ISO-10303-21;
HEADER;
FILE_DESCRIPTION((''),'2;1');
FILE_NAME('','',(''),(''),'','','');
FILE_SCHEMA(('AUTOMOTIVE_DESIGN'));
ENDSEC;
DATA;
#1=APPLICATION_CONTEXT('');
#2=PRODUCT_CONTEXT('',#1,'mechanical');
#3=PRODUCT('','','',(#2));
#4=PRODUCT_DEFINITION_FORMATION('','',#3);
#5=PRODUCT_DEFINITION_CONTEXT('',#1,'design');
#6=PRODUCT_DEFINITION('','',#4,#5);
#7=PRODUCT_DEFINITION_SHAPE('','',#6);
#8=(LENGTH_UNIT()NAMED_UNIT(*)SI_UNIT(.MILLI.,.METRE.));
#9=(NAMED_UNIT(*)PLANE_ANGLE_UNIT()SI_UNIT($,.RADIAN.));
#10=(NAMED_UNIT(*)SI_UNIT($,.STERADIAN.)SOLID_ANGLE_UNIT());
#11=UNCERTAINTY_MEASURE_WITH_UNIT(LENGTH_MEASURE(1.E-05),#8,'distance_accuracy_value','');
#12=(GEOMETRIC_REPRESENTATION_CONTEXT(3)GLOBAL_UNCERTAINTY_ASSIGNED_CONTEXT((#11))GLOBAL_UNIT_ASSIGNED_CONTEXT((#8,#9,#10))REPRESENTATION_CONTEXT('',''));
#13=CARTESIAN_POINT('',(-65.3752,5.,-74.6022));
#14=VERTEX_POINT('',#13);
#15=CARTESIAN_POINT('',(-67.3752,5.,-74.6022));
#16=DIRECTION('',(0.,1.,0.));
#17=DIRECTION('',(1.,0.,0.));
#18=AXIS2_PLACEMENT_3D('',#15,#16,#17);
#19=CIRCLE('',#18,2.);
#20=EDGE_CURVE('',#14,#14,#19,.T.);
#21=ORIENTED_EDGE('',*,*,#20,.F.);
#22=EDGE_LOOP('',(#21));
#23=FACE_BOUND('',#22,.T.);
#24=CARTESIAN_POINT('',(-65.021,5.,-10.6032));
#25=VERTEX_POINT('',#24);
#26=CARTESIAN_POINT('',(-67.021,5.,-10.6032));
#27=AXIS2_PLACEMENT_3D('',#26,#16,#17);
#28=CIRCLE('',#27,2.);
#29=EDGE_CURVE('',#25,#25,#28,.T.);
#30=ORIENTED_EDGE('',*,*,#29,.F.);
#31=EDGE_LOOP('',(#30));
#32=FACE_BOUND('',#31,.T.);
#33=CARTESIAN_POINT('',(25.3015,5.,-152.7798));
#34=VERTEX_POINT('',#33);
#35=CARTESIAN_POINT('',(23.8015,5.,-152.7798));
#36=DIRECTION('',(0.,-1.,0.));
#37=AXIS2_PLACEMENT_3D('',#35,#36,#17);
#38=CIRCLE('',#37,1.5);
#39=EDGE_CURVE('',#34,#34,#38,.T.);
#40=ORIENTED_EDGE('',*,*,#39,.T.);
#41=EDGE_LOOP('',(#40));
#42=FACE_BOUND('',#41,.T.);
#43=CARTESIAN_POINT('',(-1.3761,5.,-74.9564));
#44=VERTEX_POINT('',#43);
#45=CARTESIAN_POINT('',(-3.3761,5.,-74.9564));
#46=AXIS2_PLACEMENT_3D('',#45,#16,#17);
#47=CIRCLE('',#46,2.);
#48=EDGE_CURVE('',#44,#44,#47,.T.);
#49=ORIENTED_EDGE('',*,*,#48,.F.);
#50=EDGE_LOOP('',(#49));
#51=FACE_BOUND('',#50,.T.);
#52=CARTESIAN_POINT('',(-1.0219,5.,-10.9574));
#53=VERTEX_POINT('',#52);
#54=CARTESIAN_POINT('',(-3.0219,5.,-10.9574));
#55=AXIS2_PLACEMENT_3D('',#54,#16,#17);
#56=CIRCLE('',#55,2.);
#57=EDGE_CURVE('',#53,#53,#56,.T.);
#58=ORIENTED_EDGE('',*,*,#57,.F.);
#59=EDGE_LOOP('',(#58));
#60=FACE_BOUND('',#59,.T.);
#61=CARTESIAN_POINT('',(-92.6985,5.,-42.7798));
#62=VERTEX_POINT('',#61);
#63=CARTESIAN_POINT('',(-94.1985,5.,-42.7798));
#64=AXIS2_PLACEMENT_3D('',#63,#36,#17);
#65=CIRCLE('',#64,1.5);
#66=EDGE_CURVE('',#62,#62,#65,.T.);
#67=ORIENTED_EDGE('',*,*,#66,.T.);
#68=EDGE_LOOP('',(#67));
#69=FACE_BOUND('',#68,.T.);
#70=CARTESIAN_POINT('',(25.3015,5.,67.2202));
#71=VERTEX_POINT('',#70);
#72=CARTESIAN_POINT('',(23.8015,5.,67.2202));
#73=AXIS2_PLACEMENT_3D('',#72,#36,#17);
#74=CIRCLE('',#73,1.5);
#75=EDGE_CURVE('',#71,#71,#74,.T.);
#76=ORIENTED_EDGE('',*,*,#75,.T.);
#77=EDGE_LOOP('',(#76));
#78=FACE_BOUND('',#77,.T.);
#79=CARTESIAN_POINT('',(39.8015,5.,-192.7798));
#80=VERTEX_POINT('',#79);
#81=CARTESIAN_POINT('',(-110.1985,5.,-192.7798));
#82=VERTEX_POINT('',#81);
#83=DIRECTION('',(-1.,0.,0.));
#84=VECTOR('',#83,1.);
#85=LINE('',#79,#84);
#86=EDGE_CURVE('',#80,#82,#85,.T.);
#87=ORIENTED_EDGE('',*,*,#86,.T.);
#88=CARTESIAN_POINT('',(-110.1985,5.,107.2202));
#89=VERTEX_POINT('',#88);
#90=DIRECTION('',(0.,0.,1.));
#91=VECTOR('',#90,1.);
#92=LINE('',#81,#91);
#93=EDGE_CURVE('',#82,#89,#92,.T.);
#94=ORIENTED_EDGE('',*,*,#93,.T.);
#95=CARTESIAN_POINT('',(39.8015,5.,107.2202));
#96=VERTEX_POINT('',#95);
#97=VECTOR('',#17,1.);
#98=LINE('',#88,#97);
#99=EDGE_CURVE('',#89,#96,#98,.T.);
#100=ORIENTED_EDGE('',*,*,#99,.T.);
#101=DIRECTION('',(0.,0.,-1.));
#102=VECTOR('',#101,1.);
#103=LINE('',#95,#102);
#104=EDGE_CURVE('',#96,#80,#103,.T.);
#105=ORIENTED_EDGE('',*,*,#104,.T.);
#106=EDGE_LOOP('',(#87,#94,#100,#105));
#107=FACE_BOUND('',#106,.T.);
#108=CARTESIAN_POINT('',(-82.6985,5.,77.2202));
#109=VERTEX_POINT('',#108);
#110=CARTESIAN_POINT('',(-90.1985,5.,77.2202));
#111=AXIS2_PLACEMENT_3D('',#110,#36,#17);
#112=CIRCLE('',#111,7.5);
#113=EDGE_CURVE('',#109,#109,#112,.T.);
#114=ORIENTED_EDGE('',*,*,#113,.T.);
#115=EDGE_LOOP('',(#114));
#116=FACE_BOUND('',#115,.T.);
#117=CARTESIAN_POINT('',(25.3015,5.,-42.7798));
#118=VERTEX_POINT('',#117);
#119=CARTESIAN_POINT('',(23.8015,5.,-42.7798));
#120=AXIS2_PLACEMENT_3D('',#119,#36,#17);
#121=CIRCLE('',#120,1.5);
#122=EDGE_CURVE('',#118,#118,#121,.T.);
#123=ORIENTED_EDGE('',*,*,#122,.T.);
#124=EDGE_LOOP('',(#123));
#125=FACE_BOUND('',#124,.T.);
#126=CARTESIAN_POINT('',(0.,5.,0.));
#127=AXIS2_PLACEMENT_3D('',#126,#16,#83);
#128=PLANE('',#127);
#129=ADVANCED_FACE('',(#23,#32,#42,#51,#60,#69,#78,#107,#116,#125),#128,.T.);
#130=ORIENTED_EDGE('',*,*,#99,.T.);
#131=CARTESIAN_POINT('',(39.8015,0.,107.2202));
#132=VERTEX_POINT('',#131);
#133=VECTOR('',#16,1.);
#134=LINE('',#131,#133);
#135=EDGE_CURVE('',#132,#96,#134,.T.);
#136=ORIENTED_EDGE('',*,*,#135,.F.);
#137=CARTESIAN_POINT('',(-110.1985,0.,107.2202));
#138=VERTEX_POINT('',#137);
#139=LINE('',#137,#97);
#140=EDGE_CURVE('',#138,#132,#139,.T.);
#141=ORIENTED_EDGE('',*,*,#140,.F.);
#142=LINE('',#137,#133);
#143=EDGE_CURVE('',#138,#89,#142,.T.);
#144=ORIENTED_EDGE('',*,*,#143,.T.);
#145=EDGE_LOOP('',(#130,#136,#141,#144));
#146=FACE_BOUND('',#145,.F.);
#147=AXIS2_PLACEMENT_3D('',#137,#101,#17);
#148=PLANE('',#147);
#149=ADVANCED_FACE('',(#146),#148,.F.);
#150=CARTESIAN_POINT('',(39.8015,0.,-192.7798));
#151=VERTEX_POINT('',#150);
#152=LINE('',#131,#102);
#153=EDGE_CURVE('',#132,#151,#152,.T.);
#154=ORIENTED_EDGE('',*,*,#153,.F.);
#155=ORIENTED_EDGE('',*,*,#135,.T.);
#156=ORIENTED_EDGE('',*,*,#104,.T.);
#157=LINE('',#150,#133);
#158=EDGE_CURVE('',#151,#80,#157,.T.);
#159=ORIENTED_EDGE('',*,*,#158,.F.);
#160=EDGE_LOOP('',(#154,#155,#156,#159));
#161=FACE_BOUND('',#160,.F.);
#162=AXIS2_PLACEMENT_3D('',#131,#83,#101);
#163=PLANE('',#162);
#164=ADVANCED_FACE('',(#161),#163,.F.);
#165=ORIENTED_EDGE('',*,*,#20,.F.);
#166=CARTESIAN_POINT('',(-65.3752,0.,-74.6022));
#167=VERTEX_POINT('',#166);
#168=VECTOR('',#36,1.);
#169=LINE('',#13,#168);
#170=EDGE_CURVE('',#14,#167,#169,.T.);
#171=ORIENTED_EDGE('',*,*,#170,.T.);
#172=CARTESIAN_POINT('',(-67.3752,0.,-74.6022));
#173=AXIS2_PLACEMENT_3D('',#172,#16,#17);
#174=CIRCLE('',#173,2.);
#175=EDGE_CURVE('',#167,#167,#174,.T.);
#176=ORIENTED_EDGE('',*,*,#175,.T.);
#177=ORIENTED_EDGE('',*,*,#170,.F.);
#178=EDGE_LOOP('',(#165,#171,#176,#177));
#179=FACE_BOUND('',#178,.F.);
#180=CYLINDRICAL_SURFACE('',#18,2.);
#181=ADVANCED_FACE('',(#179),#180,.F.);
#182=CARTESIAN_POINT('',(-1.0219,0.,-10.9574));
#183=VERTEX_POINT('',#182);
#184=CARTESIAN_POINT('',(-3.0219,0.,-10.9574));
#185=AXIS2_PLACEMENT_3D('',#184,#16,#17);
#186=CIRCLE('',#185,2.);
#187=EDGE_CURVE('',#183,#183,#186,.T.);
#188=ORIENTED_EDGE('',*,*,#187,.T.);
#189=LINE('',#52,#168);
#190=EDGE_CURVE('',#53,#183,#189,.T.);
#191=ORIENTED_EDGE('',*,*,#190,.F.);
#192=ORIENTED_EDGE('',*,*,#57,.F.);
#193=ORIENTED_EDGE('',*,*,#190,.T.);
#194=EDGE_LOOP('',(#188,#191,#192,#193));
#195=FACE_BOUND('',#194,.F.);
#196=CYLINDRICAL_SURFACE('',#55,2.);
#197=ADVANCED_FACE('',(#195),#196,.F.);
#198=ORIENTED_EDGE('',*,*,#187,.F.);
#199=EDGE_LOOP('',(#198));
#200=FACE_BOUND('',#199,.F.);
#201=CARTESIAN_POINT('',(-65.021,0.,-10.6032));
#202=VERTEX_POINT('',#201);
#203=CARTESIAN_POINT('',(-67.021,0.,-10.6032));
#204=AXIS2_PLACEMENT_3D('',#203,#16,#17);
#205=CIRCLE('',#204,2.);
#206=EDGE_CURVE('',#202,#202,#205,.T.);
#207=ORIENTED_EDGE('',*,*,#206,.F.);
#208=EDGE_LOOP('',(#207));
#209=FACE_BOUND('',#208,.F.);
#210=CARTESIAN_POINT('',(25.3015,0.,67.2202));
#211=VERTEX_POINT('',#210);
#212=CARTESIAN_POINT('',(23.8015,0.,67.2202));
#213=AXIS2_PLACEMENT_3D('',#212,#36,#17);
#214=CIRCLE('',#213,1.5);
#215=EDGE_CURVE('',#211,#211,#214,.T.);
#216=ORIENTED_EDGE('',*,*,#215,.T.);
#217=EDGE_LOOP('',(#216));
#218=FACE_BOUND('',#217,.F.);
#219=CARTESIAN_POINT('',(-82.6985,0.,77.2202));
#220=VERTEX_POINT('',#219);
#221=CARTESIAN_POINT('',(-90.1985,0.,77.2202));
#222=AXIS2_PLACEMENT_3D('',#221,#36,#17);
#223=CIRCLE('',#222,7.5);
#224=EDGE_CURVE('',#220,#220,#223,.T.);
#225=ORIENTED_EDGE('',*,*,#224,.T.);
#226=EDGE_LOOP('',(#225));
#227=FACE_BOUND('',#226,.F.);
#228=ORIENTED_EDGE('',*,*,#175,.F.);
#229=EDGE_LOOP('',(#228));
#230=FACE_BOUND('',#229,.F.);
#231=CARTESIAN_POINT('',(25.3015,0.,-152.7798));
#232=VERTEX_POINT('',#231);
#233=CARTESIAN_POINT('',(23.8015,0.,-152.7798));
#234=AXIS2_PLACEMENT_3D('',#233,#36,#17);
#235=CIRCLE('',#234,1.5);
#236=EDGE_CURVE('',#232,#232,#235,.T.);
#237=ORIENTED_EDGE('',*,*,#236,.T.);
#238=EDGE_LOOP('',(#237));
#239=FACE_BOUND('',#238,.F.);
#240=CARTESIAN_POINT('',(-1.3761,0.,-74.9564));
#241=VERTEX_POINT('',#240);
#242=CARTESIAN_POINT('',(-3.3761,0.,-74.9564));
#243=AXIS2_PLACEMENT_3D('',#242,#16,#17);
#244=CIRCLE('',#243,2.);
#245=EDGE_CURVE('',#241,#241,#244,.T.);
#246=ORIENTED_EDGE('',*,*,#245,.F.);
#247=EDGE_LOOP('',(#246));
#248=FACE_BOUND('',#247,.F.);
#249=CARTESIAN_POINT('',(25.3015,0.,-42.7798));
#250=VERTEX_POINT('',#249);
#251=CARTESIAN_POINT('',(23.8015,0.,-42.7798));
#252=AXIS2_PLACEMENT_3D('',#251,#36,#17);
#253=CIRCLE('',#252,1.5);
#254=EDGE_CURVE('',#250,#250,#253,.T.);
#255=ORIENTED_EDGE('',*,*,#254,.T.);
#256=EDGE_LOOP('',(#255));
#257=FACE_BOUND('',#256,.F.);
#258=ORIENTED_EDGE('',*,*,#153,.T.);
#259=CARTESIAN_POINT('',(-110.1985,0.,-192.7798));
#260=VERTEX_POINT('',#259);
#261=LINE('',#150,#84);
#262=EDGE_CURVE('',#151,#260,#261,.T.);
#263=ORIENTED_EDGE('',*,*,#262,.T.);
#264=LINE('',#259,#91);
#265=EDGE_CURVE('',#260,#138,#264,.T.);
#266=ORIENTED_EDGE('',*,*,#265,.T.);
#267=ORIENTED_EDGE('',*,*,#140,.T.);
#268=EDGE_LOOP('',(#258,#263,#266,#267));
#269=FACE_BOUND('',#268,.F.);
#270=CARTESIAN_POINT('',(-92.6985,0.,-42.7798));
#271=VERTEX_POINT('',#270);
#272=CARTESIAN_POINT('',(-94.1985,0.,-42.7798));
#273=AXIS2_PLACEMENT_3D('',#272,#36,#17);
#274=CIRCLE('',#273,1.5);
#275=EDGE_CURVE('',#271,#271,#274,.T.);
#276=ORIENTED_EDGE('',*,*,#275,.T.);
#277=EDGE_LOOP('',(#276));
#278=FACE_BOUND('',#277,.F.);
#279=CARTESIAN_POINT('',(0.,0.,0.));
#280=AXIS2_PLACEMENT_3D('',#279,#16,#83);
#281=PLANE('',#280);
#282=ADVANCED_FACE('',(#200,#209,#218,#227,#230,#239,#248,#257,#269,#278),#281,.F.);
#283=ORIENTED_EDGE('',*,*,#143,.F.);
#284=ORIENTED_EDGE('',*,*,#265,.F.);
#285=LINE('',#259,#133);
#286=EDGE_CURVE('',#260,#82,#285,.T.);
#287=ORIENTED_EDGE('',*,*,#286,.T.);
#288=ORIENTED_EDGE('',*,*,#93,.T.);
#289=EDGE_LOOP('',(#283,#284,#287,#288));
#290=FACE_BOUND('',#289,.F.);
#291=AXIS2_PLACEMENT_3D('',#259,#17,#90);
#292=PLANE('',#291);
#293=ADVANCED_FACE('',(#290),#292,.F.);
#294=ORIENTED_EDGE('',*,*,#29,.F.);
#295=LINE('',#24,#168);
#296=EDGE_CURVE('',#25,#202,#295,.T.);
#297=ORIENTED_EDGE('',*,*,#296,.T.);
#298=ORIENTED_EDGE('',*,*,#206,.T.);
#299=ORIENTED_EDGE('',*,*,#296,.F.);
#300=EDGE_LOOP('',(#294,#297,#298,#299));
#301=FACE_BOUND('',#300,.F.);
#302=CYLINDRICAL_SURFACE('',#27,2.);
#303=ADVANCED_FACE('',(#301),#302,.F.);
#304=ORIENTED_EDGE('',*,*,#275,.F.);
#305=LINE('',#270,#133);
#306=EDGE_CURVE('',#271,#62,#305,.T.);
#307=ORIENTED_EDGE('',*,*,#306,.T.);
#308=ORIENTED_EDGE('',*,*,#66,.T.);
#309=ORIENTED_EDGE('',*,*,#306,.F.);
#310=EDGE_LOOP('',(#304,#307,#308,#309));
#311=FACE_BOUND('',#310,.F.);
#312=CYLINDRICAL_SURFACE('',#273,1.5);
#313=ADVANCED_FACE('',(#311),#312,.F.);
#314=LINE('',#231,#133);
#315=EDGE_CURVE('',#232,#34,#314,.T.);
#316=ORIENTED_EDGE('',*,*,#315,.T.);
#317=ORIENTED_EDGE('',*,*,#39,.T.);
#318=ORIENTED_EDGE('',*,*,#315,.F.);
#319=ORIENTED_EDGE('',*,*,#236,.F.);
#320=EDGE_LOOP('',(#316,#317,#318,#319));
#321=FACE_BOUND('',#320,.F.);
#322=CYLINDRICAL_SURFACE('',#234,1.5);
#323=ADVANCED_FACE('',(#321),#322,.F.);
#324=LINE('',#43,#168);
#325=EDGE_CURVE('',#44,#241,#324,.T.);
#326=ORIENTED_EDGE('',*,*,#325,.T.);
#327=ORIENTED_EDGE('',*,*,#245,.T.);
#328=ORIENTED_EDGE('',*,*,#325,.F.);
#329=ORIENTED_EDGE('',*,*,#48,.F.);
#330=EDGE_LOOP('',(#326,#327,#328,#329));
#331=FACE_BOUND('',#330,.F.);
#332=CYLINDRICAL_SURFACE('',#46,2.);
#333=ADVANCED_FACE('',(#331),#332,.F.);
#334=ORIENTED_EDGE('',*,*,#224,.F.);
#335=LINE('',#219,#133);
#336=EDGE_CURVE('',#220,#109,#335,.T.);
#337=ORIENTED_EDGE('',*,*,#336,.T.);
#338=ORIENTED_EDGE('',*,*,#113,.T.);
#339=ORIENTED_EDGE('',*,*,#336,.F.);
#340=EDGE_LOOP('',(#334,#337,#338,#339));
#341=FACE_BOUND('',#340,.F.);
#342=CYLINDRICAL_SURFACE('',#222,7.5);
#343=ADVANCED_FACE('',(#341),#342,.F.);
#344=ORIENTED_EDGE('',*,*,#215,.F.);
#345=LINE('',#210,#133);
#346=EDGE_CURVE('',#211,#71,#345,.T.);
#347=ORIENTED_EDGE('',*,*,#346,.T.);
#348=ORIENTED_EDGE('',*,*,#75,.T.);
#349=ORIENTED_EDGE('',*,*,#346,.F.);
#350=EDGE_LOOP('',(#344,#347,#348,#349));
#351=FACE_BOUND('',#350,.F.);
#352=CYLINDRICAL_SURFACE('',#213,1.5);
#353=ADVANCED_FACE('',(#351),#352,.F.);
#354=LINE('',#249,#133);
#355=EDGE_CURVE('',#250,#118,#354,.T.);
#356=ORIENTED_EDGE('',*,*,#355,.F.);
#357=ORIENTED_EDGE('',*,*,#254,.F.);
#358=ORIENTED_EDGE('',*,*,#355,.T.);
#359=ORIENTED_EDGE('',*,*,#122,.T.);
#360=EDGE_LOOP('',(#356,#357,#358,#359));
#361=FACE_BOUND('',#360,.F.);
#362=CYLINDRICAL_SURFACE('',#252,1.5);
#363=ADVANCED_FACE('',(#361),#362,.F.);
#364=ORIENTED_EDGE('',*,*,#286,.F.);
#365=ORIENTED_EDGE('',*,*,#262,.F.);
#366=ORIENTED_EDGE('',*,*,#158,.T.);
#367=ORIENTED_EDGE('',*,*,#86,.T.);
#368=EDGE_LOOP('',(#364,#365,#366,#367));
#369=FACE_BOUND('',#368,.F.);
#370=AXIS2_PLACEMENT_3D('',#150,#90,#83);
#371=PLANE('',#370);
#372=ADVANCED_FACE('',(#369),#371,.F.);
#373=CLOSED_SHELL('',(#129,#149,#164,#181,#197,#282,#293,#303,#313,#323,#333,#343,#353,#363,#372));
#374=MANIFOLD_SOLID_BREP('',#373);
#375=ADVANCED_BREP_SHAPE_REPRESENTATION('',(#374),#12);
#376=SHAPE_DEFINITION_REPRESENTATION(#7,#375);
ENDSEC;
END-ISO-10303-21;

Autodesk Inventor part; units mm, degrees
ref_plane "YZ Plane" through (0, 0, 0) normal (1, 0, 0) x (0, 1, 0)
ref_plane "XZ Plane" through (0, 0, 0) normal (0, 1, 0) x (-1, 0, 0)
ref_plane "XY Plane" through (0, 0, 0) normal (0, 0, 1) x (1, 0, 0)
sketch "Esquisse1" plane through (0, 0, 0) normal (0, 1, 0) x (-1, 0, 0)
  line L0 (110.1985, 107.2202) -> (-39.8015, 107.2202)
  line L1 (-39.8015, 107.2202) -> (-39.8015, -192.7798)
  line L2 (-39.8015, -192.7798) -> (110.1985, -192.7798)
  line L3 (110.1985, -192.7798) -> (110.1985, 107.2202)
  point P0 (0, 0)
  dimension "d0" = 300
  dimension "d1" = 150
extrude "Extrusion1" add sketch "Esquisse1" along normal blind 5
sketch "Esquisse2" plane through (0, 0, 0) normal (0, -1, 0) x (1, 0, 0)
  circle A0 centre (-94.1985, -42.7798) radius 1.5
  circle A1 centre (23.8015, -42.7798) radius 1.5
  circle A2 centre (23.8015, 67.2202) radius 1.5
  circle A3 centre (23.8015, -152.7798) radius 1.5
  line L0 (-110.1985, -192.7798) -> (-110.1985, 107.2202) projected
  line L1 (39.8015, -192.7798) -> (-110.1985, -192.7798) projected
  line L2 (39.8015, 107.2202) -> (39.8015, -192.7798) projected
  line L3 (-110.1985, 107.2202) -> (39.8015, 107.2202) projected
  point P0 (0, 0)
  dimension "d4" = 16
  dimension "d5" = 150
  dimension "d6" = 16
  dimension "d7" = 16
  dimension "d8" = 16
  dimension "d9" = 40
  dimension "d10" = 150
  dimension "d11" = 40
extrude "Extrusion2" cut sketch "Esquisse2" against normal through all contours A0 | A1 | A2 | A3
sketch "Esquisse6" plane through (0, 0, 0) normal (0, -1, 0) x (1, 0, 0)
  circle A0 centre (-90.1985, 77.2202) radius 7.5
  line L0 (-110.1985, 107.2202) -> (39.8015, 107.2202) projected
  line L1 (-110.1985, -192.7798) -> (-110.1985, 107.2202) projected
  point P0 (0, 0)
  dimension "d32" = 15
  dimension "d33" = 30
  dimension "d34" = 20
extrude "Extrusion6" cut sketch "Esquisse6" against normal up to next
sketch "Esquisse8" plane through (0, 5, 0) normal (0, 1, 0) x (1, 0, 0)
  circle A0 centre (-67.021, 10.6032) radius 2
  circle A1 centre (-3.0219, 10.9574) radius 2
  circle A2 centre (-3.3761, 74.9564) radius 2
  circle A3 centre (-67.3752, 74.6022) radius 2
  point P0 (0, 0)
extrude "Extrusion8" cut sketch "Esquisse8" against normal through all
properties part number "toit"
